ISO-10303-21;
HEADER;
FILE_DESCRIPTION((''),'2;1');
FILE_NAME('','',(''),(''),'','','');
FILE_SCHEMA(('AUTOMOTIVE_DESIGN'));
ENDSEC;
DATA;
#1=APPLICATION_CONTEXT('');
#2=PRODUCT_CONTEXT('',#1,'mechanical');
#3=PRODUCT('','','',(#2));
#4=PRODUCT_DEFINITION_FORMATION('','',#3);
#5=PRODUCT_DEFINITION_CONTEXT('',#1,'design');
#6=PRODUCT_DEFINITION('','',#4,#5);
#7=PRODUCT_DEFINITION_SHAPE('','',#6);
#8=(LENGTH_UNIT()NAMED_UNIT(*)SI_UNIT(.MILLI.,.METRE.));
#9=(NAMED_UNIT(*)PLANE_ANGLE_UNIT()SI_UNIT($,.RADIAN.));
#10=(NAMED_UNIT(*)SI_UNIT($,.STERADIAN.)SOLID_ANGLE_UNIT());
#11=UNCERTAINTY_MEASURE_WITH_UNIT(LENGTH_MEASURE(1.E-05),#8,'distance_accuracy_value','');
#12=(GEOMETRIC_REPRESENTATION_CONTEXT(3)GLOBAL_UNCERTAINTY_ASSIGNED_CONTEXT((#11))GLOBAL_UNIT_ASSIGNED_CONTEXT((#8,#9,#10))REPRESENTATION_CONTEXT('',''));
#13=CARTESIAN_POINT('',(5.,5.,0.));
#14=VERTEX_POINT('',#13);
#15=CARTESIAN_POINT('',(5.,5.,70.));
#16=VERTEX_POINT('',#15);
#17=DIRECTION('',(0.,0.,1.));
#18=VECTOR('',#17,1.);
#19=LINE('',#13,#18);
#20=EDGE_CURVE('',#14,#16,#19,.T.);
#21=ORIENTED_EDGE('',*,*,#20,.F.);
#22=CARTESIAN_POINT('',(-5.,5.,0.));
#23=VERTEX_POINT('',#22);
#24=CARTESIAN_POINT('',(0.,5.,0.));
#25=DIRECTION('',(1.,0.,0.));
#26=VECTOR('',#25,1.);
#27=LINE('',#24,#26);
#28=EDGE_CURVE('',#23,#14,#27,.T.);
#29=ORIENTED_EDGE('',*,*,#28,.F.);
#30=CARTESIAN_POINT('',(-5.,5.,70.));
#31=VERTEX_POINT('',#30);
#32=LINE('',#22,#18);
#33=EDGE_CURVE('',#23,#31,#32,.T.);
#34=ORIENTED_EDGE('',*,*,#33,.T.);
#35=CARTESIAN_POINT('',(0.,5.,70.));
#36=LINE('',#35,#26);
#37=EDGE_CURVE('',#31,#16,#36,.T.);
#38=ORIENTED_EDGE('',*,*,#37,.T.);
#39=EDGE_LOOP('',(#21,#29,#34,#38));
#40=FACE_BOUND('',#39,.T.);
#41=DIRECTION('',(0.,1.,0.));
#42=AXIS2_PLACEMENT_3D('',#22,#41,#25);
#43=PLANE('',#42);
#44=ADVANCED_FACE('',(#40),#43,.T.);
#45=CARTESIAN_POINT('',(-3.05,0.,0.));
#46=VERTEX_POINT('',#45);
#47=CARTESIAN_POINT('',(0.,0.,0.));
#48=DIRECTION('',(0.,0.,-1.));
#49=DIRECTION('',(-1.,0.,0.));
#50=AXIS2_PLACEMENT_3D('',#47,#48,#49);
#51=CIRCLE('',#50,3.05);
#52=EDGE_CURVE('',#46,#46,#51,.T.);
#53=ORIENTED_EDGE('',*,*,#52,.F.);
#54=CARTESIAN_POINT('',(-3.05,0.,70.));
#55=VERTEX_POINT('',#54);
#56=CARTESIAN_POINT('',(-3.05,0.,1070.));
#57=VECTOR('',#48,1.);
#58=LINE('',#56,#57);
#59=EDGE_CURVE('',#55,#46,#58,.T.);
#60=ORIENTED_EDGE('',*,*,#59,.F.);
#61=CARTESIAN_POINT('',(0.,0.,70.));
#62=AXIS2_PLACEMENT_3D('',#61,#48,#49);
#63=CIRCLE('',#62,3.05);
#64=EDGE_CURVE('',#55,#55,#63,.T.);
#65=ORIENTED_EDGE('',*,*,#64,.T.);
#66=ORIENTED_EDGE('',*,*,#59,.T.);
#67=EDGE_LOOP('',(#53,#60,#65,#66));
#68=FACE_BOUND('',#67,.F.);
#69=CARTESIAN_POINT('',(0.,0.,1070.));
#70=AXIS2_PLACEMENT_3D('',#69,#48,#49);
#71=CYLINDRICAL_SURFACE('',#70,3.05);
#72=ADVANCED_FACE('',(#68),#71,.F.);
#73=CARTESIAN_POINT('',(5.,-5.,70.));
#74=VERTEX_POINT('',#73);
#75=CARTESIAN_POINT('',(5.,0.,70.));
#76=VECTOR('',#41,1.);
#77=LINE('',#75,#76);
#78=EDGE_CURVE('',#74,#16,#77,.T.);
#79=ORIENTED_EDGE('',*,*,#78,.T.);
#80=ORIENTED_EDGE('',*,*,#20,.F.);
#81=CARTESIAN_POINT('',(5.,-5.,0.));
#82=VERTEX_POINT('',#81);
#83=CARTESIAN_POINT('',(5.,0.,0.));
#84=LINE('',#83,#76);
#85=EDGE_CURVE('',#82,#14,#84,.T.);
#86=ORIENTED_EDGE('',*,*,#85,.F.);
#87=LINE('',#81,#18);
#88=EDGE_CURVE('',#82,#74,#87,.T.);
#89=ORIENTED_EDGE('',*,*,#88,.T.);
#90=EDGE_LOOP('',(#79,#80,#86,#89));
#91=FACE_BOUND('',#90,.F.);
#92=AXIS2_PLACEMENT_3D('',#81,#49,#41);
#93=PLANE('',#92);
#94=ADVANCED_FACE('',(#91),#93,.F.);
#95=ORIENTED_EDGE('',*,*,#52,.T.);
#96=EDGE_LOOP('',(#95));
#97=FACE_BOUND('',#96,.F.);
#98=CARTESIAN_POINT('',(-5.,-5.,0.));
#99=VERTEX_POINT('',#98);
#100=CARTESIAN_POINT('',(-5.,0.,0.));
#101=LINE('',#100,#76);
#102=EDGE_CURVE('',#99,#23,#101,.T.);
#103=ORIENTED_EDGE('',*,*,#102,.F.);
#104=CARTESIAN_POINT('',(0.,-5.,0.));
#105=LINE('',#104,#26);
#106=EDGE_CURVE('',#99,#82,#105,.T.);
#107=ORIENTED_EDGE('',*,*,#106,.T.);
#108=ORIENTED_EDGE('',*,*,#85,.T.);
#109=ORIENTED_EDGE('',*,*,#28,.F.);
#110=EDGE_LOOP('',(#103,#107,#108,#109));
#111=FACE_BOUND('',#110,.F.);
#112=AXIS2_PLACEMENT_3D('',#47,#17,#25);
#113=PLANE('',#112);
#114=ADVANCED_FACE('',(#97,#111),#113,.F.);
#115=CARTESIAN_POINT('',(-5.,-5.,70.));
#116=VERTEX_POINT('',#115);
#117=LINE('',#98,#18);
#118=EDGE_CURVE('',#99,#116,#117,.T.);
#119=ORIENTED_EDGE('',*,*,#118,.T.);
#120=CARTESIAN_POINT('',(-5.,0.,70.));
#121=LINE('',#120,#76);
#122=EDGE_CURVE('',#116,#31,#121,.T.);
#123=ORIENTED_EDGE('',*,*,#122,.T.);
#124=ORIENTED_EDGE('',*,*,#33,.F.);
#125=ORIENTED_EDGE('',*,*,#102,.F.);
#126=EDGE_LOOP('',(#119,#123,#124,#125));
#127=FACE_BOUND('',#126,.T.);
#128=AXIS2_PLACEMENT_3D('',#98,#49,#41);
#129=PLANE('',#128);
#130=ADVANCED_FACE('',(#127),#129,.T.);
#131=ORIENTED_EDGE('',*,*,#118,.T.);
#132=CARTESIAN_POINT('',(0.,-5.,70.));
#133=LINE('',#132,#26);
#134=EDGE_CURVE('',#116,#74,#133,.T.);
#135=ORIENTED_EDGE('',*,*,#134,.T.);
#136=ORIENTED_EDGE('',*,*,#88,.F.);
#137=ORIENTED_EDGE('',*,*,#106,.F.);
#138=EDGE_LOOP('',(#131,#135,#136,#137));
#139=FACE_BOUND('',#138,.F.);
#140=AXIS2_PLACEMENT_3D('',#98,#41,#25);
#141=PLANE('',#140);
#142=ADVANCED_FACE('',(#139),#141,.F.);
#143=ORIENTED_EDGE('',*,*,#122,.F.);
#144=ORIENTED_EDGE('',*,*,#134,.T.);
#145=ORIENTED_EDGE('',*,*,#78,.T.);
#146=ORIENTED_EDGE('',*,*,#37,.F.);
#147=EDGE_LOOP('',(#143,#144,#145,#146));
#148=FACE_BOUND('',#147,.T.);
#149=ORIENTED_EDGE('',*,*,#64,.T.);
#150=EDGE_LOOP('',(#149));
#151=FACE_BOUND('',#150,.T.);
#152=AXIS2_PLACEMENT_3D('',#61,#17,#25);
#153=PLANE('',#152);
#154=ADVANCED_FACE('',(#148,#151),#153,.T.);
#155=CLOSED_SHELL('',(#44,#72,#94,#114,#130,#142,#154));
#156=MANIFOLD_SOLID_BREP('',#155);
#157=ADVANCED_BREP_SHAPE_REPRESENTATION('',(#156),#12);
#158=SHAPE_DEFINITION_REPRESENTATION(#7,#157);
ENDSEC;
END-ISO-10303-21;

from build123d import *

# Parameters (mm, degrees)
F0_W     = 10
F0_H     = 10
F1_DEPTH = 70
F3_D     = 6.1
F3_DEPTH = 1000


with BuildPart() as f1:
    # F0 (on Top) → F1 (new body)
    with BuildSketch(Plane.XY):
        Rectangle(F0_W, F0_H)
    extrude(amount=F1_DEPTH)

    # F3
    with Locations(Plane.XY.offset(70)):
        with Locations((0, 0)):
            Hole(F3_D / 2, depth=F3_DEPTH)


solid = f1.part
